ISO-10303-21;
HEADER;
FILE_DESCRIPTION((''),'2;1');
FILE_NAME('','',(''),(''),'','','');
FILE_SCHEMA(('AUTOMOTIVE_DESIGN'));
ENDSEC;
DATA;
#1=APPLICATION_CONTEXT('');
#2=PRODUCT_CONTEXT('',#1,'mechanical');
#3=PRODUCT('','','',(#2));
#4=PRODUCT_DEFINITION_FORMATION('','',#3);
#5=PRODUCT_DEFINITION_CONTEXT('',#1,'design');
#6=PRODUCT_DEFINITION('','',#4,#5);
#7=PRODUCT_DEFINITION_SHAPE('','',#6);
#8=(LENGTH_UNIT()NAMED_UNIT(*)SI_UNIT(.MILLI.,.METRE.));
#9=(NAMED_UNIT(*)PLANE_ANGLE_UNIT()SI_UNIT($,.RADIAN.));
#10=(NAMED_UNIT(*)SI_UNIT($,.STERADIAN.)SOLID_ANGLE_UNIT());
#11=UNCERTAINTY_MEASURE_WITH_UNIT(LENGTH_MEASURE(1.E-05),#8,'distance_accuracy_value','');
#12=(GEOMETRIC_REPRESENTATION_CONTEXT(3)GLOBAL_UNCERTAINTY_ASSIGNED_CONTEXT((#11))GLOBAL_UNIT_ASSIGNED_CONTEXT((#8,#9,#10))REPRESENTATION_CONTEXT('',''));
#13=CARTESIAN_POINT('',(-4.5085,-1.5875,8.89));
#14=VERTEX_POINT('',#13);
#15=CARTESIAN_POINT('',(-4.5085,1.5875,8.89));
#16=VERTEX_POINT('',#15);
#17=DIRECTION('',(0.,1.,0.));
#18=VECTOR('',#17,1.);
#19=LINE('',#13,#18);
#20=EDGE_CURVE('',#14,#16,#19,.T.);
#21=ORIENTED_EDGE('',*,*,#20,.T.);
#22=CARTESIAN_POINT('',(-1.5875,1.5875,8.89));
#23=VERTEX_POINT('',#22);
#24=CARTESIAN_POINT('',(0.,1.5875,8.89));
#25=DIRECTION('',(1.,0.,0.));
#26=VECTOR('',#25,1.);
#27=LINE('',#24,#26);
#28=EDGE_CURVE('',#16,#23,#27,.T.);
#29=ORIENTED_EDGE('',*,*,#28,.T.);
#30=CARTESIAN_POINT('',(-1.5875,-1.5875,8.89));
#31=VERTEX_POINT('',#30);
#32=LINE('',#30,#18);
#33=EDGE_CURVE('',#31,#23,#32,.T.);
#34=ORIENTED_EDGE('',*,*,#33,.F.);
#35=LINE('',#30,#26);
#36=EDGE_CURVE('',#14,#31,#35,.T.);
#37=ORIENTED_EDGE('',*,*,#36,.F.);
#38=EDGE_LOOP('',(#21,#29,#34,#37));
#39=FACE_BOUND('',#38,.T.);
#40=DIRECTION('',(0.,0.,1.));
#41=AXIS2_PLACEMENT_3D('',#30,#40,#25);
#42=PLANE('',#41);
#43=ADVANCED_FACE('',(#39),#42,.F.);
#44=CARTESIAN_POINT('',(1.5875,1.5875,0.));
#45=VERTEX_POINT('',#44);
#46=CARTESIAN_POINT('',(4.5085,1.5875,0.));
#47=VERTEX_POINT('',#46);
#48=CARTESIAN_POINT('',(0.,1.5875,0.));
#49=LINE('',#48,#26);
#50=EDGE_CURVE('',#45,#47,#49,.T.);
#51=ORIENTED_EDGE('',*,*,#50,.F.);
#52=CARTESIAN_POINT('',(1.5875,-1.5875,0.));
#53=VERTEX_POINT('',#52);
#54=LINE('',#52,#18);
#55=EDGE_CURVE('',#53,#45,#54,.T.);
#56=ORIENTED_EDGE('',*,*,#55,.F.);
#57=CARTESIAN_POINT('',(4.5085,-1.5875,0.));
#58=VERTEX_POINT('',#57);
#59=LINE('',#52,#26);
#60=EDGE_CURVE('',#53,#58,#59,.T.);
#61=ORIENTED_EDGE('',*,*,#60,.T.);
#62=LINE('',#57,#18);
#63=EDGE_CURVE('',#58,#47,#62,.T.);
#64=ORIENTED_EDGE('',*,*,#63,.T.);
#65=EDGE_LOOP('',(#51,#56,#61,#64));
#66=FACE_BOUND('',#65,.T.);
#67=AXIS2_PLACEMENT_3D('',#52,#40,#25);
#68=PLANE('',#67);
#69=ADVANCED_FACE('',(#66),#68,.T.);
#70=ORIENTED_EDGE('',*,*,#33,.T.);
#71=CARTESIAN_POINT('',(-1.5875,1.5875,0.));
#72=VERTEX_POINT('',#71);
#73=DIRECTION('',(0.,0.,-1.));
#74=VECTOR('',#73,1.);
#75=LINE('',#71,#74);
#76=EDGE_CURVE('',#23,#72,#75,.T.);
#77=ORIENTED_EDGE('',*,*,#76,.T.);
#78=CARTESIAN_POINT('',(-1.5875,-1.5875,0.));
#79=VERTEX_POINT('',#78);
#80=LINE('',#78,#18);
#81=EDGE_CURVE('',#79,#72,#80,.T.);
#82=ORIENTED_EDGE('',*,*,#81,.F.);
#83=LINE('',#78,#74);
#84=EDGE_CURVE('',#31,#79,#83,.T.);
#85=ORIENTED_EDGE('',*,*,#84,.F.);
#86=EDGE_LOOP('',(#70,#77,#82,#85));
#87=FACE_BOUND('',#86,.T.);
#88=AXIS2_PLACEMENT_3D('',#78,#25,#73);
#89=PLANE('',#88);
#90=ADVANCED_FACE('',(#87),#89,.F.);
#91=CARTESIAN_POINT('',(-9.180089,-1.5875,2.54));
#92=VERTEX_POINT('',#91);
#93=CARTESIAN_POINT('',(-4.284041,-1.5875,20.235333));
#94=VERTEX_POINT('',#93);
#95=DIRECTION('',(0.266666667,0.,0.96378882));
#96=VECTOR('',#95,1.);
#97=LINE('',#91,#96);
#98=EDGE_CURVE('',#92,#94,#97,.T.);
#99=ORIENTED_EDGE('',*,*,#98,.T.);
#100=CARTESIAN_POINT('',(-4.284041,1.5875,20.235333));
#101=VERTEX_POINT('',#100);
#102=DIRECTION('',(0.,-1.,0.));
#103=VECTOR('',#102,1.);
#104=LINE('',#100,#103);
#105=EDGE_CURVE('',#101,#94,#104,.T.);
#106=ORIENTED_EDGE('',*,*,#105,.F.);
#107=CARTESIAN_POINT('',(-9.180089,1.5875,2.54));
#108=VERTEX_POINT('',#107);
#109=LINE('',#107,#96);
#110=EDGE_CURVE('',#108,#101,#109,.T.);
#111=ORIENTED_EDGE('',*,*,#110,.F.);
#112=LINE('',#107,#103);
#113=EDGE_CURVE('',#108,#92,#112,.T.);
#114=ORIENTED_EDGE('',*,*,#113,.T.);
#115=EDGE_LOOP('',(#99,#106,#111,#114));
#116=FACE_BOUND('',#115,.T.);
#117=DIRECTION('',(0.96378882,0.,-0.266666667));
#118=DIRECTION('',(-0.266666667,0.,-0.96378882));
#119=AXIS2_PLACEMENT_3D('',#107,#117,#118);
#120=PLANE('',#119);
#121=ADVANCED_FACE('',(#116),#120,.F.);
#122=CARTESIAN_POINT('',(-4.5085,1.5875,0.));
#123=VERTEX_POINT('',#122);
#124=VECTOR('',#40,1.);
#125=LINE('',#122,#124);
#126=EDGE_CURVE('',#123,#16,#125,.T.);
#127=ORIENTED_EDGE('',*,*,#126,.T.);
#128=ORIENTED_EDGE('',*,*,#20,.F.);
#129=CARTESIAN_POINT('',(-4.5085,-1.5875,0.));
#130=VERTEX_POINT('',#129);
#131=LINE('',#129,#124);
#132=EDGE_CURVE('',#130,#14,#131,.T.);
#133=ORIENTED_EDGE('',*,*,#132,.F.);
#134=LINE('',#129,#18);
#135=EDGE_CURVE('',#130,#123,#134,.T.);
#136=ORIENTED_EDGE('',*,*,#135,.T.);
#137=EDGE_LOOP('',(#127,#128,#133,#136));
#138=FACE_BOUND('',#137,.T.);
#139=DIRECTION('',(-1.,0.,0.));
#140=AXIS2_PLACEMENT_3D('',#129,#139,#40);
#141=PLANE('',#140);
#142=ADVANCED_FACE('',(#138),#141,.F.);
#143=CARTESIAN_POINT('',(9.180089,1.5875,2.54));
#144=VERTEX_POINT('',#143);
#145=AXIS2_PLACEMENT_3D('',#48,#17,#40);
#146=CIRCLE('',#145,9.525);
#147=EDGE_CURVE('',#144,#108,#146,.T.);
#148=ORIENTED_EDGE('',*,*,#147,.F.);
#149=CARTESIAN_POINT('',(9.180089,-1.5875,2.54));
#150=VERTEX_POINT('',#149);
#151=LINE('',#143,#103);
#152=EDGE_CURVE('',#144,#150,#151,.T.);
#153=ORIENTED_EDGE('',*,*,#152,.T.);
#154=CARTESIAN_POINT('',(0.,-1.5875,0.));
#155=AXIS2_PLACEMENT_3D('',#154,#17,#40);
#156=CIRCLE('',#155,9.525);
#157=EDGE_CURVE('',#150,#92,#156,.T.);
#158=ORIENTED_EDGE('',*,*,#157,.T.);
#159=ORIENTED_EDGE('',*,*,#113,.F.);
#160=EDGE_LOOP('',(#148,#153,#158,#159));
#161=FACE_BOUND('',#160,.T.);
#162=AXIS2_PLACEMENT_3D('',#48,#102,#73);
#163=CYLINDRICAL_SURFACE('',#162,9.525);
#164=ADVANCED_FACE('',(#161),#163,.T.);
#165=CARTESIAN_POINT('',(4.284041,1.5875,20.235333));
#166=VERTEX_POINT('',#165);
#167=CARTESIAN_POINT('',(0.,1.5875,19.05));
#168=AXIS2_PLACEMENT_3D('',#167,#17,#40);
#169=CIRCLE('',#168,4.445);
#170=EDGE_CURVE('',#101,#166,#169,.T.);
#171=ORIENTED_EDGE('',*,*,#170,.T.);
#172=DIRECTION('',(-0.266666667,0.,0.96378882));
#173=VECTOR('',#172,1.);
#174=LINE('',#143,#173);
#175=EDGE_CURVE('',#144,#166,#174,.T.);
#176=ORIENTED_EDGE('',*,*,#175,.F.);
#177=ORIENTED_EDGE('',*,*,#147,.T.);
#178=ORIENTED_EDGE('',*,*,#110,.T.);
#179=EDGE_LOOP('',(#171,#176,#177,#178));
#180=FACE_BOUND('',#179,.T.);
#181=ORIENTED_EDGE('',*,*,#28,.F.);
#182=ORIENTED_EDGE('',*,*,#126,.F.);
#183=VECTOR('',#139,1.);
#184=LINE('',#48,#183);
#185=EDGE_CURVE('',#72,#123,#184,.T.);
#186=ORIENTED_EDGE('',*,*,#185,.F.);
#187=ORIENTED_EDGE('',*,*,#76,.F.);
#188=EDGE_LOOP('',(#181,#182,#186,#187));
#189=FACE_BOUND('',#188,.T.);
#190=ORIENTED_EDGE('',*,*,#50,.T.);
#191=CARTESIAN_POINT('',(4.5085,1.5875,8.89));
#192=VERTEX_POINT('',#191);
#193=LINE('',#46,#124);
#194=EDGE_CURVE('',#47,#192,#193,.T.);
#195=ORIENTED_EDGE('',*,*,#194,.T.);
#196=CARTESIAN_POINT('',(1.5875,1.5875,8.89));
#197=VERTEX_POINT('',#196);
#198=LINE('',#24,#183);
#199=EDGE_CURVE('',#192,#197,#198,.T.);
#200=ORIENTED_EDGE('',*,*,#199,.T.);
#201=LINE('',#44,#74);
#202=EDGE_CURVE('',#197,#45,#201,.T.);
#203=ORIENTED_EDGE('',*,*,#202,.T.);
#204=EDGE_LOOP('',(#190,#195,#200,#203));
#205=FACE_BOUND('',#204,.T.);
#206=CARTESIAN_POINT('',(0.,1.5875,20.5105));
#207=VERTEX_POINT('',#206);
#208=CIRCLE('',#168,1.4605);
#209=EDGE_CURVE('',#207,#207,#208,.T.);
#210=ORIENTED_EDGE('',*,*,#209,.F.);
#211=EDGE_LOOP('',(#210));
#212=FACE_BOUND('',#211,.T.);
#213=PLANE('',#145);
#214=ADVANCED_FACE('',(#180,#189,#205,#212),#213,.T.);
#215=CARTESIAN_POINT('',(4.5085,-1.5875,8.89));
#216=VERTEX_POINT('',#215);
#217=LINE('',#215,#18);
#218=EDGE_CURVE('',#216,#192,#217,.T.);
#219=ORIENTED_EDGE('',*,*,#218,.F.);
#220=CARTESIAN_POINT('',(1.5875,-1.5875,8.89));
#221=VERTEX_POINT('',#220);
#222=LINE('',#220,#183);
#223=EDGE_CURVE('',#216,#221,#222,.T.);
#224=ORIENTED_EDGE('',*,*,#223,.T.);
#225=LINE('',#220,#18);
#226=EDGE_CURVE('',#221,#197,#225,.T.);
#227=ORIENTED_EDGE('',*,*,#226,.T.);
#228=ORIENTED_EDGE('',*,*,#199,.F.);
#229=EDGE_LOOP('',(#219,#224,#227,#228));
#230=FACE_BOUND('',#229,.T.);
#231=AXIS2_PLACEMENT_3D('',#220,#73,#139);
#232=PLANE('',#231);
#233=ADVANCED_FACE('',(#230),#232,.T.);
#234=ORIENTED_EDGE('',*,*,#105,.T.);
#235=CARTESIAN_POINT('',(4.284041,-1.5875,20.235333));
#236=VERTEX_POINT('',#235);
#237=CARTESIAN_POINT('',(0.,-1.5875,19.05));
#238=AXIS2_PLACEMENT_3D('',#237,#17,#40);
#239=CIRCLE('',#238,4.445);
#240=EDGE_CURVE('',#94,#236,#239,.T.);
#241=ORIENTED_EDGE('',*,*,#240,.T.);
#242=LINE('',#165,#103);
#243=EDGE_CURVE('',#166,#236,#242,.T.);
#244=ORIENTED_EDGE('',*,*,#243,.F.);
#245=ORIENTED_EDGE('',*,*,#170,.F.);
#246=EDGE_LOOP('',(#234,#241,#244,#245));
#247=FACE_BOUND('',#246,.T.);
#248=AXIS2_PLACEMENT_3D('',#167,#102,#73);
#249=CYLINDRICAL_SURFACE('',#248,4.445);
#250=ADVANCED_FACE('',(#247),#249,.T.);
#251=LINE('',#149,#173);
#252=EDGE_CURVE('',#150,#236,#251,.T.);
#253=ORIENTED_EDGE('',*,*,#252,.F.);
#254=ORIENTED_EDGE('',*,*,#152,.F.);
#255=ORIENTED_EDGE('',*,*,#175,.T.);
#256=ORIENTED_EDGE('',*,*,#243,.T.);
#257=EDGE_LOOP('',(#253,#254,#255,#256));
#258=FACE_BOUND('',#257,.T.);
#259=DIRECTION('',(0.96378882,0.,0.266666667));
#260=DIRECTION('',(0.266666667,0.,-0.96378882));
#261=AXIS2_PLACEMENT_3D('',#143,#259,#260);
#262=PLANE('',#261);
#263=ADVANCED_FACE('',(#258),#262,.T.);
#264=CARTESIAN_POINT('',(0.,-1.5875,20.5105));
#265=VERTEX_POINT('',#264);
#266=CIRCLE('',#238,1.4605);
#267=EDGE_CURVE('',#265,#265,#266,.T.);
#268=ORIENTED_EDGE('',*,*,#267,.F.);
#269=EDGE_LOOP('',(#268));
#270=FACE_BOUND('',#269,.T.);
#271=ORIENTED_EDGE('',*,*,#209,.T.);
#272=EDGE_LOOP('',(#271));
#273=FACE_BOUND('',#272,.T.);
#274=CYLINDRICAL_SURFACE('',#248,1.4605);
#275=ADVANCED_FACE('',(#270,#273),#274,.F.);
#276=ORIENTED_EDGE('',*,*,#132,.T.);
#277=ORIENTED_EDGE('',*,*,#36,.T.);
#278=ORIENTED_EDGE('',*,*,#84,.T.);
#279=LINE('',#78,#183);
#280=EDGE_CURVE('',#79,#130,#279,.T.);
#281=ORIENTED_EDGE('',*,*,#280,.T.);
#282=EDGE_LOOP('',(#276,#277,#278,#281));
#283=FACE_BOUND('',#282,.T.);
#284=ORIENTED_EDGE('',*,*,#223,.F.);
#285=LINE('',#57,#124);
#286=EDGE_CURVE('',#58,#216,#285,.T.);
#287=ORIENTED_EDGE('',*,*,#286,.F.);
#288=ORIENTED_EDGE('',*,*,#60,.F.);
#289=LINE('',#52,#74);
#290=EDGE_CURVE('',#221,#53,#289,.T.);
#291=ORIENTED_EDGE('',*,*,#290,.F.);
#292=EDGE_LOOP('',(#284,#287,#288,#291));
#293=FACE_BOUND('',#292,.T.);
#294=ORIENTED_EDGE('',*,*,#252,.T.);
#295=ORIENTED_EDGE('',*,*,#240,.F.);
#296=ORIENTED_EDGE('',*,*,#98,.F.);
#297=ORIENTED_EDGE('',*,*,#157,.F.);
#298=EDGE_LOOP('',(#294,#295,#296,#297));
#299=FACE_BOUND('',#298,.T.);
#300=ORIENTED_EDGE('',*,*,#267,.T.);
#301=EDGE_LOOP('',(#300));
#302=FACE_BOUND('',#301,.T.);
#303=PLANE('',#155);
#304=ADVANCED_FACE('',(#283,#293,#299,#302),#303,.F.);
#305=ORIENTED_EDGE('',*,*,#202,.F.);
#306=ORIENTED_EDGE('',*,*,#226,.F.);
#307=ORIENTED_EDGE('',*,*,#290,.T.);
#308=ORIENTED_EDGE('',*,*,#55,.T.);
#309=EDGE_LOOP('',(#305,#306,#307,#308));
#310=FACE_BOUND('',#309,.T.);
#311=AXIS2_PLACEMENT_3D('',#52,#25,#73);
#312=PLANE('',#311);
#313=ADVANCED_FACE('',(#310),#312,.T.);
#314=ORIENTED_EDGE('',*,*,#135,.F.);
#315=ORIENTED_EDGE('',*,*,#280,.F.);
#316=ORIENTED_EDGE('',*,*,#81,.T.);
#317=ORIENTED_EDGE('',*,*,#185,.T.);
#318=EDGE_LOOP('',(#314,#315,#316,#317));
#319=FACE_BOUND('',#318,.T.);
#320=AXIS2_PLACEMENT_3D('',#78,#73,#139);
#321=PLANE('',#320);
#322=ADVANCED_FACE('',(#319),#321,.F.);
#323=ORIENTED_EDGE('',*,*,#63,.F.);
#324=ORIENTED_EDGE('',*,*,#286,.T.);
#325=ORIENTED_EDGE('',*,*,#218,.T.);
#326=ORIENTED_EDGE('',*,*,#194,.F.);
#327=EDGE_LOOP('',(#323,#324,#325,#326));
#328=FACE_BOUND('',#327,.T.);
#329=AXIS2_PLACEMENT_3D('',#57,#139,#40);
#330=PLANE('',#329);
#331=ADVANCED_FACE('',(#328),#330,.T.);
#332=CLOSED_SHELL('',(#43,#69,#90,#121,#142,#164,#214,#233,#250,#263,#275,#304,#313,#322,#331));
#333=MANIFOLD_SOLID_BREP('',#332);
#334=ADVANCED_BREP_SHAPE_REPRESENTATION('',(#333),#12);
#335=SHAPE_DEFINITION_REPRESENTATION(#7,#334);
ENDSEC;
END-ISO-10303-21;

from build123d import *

# Parameters (mm, degrees)
SKETCH1_R           = 1.4605
BOSS_EXTRUDE1_DEPTH = 1.5875
CUT_EXTRUDE1_START  = -4.175
SKETCH2_W           = 2.921
SKETCH2_H           = 8.89
CUT_EXTRUDE1_DEPTH  = 5.175


with BuildPart() as part:
    # Sketch1 → Boss-Extrude1 (new body, symmetric)
    with BuildSketch(Plane(origin=(0, 0, 0), x_dir=(1, 0, 0), z_dir=(0, 1, 0))):
        with BuildLine():
            Line((4.284041303, -20.235333333), (9.180088507, -2.54))
            ThreePointArc((9.180088507, -2.54), (0, 9.525), (-9.180088507, -2.54))
            Line((-9.180088507, -2.54), (-4.284041303, -20.235333333))
            ThreePointArc((-4.284041303, -20.235333333), (0, -23.495), (4.284041303, -20.235333333))
        make_face()
        with Locations((0, -19.05)):
            Circle(SKETCH1_R, mode=Mode.SUBTRACT)
    extrude(amount=BOSS_EXTRUDE1_DEPTH, both=True)

    # Sketch2 → Cut-Extrude1 (cut)
    with BuildSketch(Plane(origin=(0, 1.5875, 0), x_dir=(1, 0, 0), z_dir=(0, 1, 0)).offset(CUT_EXTRUDE1_START)):
        with Locations((-3.048, -4.445)):
            Rectangle(SKETCH2_W, SKETCH2_H)
    cut_extrude1 = extrude(amount=CUT_EXTRUDE1_DEPTH, mode=Mode.SUBTRACT)

    # Mirror1: Cut-Extrude1 across plane
    add(cut_extrude1.mirror(Plane(origin=(0, 0, 0), x_dir=(0, 0, 1), z_dir=(1, 0, 0))), mode=Mode.SUBTRACT)


solid = part.part
